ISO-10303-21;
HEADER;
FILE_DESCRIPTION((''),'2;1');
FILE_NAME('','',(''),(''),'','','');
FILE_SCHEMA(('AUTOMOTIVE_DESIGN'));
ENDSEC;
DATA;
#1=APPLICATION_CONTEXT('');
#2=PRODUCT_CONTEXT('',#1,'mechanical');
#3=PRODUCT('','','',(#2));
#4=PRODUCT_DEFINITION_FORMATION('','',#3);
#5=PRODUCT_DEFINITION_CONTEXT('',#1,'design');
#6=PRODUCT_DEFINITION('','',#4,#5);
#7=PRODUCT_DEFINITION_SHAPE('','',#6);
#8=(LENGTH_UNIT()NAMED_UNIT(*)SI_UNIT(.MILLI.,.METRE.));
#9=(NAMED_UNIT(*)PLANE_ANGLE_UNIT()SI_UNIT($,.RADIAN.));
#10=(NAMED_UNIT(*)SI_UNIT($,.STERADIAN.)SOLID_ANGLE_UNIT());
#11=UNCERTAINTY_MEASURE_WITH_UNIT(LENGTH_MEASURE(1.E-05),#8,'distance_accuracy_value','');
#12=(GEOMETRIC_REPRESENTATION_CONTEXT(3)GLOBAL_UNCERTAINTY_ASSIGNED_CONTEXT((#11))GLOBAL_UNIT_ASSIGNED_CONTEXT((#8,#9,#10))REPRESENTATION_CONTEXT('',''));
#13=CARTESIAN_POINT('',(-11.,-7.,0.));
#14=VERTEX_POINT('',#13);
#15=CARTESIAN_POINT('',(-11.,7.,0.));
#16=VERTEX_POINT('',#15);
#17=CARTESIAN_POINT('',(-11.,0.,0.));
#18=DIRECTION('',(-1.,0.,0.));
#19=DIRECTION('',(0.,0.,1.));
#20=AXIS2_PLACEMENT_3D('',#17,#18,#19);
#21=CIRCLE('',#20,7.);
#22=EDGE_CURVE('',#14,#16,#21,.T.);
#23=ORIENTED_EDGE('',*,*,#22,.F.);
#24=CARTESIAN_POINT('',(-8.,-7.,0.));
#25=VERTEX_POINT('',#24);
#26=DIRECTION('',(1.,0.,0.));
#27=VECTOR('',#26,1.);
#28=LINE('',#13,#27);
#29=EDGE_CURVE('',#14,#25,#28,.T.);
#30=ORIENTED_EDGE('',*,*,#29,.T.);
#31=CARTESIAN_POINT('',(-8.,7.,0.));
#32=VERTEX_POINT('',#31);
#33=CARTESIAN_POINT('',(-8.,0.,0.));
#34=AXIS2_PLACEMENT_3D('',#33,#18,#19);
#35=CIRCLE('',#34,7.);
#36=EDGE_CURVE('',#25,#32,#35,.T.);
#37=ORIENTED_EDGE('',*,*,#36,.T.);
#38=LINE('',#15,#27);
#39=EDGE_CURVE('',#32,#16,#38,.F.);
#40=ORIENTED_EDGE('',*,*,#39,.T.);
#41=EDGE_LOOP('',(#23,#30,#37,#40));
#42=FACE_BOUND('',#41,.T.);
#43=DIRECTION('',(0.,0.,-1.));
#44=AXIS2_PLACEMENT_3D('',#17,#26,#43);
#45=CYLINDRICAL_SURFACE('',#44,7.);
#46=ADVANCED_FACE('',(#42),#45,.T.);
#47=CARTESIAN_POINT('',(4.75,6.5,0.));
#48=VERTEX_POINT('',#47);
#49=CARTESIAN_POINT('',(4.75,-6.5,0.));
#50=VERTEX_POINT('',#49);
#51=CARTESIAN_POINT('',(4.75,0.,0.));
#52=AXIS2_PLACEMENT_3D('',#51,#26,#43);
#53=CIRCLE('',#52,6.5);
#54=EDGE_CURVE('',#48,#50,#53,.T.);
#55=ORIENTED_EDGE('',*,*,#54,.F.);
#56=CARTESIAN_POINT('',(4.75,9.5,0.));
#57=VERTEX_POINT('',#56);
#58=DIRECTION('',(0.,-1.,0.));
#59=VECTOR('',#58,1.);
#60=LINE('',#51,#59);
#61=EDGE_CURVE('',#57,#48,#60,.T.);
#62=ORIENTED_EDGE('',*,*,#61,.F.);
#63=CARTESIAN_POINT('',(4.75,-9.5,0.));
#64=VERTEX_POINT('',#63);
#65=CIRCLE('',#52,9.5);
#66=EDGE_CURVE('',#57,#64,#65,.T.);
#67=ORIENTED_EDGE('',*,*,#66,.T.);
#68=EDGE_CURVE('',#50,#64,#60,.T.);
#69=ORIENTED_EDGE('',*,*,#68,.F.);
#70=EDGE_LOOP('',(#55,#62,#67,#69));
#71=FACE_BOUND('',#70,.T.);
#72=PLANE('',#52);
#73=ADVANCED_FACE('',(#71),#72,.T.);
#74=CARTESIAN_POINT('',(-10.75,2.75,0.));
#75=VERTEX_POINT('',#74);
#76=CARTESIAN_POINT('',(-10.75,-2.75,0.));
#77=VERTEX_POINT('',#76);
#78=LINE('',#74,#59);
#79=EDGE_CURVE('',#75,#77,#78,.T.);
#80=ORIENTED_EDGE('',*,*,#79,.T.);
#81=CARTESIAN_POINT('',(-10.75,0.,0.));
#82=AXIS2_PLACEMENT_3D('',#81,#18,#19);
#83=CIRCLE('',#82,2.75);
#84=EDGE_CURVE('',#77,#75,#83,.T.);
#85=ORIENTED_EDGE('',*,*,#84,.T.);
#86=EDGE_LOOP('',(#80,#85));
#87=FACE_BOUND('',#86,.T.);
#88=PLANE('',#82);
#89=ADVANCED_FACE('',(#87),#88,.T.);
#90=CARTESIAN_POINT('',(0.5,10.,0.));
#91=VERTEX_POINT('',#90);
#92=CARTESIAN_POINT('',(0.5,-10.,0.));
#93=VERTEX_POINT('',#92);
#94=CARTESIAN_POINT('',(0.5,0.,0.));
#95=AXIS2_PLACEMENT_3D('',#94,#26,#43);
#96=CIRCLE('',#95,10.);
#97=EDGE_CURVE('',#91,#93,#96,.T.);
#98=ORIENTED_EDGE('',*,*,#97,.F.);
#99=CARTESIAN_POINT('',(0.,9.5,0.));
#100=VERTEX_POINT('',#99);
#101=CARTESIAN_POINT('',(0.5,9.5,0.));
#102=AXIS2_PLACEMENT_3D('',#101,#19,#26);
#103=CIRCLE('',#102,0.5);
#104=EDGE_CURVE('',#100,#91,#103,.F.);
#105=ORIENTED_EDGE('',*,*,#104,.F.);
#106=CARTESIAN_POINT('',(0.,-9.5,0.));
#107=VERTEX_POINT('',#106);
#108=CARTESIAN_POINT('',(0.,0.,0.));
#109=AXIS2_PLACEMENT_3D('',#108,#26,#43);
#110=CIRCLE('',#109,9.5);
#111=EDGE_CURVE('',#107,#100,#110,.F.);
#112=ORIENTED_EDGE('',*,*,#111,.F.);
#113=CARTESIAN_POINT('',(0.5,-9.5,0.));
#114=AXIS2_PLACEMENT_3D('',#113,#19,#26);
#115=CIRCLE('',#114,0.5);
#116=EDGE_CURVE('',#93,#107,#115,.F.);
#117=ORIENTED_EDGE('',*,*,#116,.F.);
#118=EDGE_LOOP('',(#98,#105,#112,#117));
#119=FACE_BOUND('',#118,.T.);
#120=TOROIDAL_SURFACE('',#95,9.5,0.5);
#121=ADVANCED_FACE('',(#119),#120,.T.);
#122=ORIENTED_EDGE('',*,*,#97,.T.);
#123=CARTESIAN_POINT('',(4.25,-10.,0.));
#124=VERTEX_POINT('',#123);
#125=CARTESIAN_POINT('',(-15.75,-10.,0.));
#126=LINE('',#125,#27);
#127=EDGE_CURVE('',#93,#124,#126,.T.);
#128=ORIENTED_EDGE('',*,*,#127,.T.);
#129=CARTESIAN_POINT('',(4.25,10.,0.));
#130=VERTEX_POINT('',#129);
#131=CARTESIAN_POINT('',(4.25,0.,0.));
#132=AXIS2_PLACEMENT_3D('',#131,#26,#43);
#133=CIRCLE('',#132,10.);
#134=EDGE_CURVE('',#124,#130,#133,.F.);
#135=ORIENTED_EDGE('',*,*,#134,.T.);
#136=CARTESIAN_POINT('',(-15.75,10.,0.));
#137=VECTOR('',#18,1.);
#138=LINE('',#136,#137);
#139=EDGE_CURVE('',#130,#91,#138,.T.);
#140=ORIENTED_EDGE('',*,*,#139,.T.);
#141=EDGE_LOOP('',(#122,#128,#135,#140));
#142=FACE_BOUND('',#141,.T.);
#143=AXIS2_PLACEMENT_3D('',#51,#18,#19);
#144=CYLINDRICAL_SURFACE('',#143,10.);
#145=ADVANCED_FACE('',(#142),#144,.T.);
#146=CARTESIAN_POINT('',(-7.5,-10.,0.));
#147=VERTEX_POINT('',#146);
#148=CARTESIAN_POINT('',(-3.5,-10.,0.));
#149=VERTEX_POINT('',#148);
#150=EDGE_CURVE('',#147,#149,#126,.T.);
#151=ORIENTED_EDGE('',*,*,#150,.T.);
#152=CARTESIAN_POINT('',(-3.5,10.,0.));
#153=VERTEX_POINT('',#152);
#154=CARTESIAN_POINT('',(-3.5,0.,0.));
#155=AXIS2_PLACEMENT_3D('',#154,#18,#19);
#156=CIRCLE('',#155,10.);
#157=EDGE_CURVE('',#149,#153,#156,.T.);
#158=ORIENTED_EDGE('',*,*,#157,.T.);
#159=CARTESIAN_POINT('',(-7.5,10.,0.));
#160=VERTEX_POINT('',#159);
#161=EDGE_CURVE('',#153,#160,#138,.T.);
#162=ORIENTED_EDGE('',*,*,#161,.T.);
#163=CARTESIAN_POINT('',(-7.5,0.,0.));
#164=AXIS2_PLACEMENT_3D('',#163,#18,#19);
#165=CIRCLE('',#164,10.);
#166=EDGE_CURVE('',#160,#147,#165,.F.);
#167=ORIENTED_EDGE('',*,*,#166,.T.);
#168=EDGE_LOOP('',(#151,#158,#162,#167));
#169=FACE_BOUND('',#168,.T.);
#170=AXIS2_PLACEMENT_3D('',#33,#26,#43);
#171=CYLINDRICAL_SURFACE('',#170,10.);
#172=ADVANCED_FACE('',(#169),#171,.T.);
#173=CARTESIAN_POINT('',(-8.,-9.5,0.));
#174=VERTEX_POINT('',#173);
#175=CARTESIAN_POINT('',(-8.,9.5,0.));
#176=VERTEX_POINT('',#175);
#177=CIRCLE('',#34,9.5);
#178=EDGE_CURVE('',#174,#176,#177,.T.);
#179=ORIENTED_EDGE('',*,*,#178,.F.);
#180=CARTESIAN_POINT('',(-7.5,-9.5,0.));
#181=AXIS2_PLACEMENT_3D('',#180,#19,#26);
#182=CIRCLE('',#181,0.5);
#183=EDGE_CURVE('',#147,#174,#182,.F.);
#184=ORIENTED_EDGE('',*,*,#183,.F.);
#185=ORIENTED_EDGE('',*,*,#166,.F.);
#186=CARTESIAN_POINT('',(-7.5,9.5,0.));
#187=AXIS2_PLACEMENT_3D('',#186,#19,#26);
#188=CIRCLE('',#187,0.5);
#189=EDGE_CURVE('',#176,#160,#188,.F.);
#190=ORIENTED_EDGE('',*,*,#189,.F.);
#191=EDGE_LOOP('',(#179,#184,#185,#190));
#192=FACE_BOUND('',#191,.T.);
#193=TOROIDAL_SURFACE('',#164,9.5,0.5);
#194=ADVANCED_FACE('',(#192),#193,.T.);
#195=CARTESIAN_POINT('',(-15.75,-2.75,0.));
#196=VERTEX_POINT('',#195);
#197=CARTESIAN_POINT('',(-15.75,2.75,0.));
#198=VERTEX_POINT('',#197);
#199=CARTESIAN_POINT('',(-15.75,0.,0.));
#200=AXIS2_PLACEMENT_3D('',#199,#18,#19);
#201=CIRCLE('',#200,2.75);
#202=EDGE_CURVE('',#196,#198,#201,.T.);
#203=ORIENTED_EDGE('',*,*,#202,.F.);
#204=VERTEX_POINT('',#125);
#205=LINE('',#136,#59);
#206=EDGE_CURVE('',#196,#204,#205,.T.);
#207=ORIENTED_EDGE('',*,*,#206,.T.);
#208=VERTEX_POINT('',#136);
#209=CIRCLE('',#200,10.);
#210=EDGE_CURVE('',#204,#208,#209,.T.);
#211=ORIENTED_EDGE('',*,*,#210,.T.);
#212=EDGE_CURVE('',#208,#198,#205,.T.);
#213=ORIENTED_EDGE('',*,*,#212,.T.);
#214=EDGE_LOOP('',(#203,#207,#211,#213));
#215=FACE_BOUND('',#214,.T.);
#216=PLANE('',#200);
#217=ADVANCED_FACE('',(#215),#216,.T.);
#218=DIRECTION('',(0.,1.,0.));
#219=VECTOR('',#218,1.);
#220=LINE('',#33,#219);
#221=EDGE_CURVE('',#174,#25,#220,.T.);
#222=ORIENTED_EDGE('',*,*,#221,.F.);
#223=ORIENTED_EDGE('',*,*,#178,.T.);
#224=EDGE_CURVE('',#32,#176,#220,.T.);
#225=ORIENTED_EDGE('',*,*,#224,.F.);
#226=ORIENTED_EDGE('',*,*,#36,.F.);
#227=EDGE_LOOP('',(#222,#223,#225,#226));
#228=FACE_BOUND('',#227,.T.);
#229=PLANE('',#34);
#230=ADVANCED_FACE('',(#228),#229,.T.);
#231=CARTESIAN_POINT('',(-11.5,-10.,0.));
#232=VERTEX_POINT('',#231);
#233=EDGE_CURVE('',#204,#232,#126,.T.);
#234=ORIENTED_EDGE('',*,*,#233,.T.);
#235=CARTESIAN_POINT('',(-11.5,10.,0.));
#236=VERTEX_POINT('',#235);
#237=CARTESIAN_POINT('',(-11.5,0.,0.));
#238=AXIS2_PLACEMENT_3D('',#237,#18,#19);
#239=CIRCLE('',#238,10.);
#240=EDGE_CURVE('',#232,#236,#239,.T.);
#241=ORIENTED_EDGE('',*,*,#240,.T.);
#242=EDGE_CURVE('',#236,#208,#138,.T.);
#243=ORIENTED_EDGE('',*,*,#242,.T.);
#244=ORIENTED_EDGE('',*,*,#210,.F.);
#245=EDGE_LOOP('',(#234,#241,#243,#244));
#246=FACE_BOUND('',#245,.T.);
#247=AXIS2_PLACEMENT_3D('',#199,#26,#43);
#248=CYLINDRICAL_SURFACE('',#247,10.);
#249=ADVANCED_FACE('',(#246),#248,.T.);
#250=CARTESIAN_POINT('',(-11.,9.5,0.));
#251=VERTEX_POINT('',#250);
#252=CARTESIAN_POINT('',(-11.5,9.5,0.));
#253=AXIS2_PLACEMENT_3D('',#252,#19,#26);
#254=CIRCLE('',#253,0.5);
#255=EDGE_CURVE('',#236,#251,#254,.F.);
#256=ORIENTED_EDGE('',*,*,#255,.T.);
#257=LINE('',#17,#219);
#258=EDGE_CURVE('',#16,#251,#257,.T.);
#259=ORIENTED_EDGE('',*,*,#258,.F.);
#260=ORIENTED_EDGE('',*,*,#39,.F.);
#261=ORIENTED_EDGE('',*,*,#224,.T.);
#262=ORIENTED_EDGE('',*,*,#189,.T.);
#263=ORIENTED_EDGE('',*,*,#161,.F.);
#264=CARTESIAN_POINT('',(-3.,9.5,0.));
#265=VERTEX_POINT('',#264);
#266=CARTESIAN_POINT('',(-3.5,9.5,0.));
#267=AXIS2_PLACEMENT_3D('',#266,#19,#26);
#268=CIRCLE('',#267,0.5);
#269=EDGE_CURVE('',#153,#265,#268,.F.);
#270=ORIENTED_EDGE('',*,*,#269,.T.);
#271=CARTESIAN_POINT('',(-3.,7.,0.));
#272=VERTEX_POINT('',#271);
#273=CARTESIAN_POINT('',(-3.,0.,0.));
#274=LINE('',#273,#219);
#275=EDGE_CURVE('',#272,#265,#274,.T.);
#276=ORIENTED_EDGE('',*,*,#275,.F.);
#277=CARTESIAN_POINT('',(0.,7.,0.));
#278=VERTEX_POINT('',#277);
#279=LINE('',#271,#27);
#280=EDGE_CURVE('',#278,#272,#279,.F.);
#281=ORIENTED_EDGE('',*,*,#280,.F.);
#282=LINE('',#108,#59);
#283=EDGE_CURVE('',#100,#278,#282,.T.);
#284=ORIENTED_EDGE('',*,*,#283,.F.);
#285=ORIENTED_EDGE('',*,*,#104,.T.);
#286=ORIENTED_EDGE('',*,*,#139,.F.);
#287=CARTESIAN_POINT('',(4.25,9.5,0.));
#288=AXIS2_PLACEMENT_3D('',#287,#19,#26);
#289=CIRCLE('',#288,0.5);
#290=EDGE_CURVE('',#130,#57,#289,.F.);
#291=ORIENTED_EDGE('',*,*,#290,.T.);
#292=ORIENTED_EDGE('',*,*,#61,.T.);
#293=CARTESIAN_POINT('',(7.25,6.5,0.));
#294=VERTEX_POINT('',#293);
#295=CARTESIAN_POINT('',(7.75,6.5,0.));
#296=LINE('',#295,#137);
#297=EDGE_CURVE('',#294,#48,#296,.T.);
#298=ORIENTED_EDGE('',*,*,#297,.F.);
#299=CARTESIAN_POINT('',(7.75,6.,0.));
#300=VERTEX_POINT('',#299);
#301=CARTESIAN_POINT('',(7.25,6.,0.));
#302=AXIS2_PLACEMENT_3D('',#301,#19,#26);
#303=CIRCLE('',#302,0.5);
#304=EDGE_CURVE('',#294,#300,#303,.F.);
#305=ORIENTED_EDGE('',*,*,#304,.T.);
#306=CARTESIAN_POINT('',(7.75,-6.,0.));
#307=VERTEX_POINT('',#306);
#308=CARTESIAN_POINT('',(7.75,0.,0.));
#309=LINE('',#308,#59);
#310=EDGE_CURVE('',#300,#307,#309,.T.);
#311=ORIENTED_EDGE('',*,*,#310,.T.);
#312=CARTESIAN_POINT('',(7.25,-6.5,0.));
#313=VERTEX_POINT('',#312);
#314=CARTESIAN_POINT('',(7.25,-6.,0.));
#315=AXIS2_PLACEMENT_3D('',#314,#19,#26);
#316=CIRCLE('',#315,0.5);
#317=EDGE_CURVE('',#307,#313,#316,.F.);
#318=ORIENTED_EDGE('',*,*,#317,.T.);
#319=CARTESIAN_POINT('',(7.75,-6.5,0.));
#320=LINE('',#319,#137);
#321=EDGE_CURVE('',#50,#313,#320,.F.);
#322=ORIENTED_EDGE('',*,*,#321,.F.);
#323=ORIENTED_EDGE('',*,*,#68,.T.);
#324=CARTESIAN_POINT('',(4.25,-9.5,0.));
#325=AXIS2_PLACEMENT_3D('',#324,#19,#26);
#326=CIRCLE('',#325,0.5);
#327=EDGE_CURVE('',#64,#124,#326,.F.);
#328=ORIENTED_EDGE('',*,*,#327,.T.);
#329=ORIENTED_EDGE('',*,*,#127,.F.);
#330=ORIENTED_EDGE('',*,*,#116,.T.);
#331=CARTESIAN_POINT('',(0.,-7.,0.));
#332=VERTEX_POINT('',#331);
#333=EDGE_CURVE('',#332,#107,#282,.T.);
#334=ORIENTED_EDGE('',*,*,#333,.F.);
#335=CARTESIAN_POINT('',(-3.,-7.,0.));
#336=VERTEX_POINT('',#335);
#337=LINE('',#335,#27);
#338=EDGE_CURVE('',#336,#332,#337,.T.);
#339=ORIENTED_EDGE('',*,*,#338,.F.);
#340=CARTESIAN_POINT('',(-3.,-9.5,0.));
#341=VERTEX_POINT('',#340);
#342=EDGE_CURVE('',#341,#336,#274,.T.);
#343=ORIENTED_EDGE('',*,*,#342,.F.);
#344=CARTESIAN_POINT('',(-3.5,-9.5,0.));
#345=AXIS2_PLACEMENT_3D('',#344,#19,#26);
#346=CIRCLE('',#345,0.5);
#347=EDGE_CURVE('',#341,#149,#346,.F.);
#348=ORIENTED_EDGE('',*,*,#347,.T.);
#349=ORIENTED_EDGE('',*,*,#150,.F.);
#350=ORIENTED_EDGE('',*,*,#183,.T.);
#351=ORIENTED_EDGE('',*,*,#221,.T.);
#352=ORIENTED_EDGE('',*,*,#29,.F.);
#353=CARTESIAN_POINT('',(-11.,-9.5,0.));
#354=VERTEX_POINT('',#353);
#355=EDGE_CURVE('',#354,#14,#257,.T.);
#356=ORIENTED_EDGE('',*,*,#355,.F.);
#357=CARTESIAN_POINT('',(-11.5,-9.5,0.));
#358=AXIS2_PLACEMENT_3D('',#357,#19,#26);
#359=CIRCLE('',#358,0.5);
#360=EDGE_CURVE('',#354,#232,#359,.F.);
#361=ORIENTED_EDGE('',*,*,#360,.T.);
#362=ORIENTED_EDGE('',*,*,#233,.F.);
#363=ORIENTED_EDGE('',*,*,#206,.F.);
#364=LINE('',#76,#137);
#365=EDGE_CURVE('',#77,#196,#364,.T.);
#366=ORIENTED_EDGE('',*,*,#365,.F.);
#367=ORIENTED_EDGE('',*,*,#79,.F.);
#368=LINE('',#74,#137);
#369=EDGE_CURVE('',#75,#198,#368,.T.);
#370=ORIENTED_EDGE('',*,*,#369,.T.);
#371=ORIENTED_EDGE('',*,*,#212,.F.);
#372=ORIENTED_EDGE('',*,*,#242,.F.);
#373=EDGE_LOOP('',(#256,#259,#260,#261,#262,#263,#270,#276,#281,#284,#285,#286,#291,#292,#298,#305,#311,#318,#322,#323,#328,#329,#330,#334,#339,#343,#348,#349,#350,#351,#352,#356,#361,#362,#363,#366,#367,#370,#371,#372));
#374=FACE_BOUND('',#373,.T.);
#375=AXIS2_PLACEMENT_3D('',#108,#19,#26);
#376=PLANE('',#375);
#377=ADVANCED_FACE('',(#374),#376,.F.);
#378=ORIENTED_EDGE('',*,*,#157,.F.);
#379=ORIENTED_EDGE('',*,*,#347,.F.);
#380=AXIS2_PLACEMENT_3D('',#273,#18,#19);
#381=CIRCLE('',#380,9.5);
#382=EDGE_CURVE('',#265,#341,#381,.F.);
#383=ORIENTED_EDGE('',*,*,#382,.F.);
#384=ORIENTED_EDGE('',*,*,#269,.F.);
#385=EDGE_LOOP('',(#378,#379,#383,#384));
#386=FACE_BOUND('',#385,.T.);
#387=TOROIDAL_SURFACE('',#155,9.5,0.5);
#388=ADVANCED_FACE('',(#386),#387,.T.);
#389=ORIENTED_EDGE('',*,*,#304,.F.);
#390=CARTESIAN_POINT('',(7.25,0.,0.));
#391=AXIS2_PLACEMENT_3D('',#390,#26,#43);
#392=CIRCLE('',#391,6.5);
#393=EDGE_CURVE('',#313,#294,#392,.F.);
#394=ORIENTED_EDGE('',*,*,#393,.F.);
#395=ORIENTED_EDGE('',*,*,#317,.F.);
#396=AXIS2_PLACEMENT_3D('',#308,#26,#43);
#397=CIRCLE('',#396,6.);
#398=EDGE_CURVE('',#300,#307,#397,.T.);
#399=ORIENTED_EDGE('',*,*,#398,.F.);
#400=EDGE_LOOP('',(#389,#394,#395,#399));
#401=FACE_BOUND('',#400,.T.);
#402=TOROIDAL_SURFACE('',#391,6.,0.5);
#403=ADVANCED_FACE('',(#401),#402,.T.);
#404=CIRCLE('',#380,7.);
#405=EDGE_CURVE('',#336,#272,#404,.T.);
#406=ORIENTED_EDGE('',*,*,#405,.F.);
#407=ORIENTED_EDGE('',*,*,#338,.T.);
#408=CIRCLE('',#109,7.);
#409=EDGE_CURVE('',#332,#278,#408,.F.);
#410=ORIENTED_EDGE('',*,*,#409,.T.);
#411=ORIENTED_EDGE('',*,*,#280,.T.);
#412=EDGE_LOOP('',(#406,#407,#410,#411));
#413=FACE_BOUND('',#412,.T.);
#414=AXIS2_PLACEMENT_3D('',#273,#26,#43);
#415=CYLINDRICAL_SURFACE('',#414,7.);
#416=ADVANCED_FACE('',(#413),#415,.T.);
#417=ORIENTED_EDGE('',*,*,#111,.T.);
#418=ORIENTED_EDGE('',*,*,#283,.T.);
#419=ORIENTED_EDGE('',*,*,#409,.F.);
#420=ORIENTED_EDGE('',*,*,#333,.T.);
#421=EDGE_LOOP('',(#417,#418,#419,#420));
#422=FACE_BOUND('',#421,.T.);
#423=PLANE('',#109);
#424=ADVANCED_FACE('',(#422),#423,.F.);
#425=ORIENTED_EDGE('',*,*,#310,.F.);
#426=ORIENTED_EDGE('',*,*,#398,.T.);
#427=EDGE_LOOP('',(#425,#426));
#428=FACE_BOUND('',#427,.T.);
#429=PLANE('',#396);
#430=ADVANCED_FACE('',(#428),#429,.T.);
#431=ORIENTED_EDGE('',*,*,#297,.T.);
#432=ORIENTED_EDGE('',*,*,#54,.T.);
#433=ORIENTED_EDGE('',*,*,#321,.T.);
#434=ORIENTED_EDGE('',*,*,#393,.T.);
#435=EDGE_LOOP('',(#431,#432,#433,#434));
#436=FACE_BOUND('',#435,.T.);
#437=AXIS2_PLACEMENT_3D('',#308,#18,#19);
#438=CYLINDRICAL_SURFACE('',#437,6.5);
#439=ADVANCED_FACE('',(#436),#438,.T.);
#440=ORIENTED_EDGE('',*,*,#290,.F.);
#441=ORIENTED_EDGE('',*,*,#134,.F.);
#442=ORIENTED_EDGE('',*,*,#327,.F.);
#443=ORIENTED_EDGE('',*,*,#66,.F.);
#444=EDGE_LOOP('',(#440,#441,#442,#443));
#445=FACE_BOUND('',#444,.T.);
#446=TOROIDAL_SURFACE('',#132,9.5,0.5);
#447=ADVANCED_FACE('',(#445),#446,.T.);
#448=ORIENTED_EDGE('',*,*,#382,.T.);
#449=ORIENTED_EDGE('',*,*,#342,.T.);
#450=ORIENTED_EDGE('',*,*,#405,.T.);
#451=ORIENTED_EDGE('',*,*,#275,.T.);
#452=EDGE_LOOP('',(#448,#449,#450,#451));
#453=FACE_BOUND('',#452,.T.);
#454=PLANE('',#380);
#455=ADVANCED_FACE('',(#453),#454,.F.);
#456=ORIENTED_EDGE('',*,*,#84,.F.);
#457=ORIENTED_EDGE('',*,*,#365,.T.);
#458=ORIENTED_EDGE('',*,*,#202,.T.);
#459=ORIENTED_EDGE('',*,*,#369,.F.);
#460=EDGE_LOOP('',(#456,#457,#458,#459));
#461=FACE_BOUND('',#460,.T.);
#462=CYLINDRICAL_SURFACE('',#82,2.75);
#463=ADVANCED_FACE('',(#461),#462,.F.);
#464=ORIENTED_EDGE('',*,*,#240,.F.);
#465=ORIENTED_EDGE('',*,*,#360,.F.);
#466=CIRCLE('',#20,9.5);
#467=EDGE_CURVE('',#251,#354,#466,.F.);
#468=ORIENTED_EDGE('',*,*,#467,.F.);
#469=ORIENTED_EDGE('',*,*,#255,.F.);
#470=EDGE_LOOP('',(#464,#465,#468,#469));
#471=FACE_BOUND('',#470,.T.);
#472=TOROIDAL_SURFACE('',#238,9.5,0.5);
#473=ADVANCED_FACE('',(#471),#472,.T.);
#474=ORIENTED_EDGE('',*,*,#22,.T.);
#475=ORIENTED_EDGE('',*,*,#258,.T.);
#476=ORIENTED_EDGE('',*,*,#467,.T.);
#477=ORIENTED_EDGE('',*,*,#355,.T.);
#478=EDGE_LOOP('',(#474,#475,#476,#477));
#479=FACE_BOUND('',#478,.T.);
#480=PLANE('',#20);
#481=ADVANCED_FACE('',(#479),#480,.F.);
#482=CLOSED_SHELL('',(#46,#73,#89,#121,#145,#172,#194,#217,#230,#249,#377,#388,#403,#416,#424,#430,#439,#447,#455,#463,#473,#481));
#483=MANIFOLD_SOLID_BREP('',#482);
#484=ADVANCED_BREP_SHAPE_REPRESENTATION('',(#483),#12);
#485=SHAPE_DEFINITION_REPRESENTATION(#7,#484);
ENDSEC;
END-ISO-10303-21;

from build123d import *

# Parameters (mm, degrees)
SKETCH1_R           = 10
BOSS_EXTRUDE1_DEPTH = 4.75
SKETCH4_R           = 6.5
BOSS_EXTRUDE2_DEPTH = 3
SKETCH5_R           = 7
BOSS_EXTRUDE3_DEPTH = 3
FILLET1_R           = 0.5
BOSS_EXTRUDE4_START = 5
SKETCH6_R           = 10
BOSS_EXTRUDE4_DEPTH = 5
SKETCH7_R           = 7
BOSS_EXTRUDE5_DEPTH = 3
BOSS_EXTRUDE6_START = 4.75
SKETCH9_R           = 10
BOSS_EXTRUDE6_DEPTH = 4.75
FILLET2_R           = 0.5
SKETCH10_W          = 23.933386236
SKETCH10_H          = 20
CUT_EXTRUDE1_DEPTH  = 20
CUT_EXTRUDE2_DEPTH  = 5


with BuildPart() as part:
    # Sketch1 → Boss-Extrude1 (new body)
    with BuildSketch(Plane(origin=(0, 0, 0), x_dir=(0, 0, -1), z_dir=(1, 0, 0))):
        Circle(SKETCH1_R)
    extrude(amount=BOSS_EXTRUDE1_DEPTH)

    # Sketch4 → Boss-Extrude2 (add)
    with BuildSketch(Plane(origin=(4.75, 0, 0), x_dir=(0, 0, -1), z_dir=(1, 0, 0))):
        Circle(SKETCH4_R)
    extrude(amount=BOSS_EXTRUDE2_DEPTH)

    # Sketch5 → Boss-Extrude3 (add)
    with BuildSketch(Plane.ZY):
        with Locations(Location((0, 0, 0), (0, 0, 180))):
            Circle(SKETCH5_R)
    extrude(amount=BOSS_EXTRUDE3_DEPTH)

    # Fillet1
    fillet1_edges = [part.edges().sort_by_distance(p)[0] for p in [
        (7.75, 0, 6.5),
    ]]
    fillet(fillet1_edges, radius=FILLET1_R)

    # Sketch6 → Boss-Extrude4 (add)
    with BuildSketch(Plane.ZY.offset(3).offset(BOSS_EXTRUDE4_START)):
        with Locations(Location((0, 0, 0), (0, 0, 180))):
            Circle(SKETCH6_R)
    extrude(amount=-BOSS_EXTRUDE4_DEPTH)

    # Sketch7 → Boss-Extrude5 (add)
    with BuildSketch(Plane.ZY.offset(8)):
        with Locations(Location((0, 0, 0), (0, 0, 180))):
            Circle(SKETCH7_R)
    extrude(amount=BOSS_EXTRUDE5_DEPTH)

    # Sketch9 → Boss-Extrude6 (add)
    with BuildSketch(Plane.ZY.offset(11).offset(BOSS_EXTRUDE6_START)):
        with Locations(Location((0, 0, 0), (0, 0, 180))):
            Circle(SKETCH9_R)
    extrude(amount=-BOSS_EXTRUDE6_DEPTH)

    # Fillet2
    fillet2_edges = [part.edges().sort_by_distance(p)[0] for p in [
        (-3, 0, 10),
        (-8, 0, 10),
        (0, 0, 10),
        (-11, 0, 10),
        (4.75, 0, 10),
    ]]
    fillet(fillet2_edges, radius=FILLET2_R)

    # Sketch10 → Cut-Extrude1 (cut)
    with BuildSketch(Plane.XY):
        with Locations((-3.783306882, 0)):
            Rectangle(SKETCH10_W, SKETCH10_H)
    extrude(amount=-CUT_EXTRUDE1_DEPTH, mode=Mode.SUBTRACT)

    # Sketch11 → Cut-Extrude2 (cut)
    with BuildSketch(Plane.ZY.offset(15.75)):
        with BuildLine():
            Line((0, 2.75), (0, -2.75))
            ThreePointArc((0, -2.75), (2.75, 0), (0, 2.75))
        make_face()
    extrude(amount=-CUT_EXTRUDE2_DEPTH, mode=Mode.SUBTRACT)


solid = part.part
